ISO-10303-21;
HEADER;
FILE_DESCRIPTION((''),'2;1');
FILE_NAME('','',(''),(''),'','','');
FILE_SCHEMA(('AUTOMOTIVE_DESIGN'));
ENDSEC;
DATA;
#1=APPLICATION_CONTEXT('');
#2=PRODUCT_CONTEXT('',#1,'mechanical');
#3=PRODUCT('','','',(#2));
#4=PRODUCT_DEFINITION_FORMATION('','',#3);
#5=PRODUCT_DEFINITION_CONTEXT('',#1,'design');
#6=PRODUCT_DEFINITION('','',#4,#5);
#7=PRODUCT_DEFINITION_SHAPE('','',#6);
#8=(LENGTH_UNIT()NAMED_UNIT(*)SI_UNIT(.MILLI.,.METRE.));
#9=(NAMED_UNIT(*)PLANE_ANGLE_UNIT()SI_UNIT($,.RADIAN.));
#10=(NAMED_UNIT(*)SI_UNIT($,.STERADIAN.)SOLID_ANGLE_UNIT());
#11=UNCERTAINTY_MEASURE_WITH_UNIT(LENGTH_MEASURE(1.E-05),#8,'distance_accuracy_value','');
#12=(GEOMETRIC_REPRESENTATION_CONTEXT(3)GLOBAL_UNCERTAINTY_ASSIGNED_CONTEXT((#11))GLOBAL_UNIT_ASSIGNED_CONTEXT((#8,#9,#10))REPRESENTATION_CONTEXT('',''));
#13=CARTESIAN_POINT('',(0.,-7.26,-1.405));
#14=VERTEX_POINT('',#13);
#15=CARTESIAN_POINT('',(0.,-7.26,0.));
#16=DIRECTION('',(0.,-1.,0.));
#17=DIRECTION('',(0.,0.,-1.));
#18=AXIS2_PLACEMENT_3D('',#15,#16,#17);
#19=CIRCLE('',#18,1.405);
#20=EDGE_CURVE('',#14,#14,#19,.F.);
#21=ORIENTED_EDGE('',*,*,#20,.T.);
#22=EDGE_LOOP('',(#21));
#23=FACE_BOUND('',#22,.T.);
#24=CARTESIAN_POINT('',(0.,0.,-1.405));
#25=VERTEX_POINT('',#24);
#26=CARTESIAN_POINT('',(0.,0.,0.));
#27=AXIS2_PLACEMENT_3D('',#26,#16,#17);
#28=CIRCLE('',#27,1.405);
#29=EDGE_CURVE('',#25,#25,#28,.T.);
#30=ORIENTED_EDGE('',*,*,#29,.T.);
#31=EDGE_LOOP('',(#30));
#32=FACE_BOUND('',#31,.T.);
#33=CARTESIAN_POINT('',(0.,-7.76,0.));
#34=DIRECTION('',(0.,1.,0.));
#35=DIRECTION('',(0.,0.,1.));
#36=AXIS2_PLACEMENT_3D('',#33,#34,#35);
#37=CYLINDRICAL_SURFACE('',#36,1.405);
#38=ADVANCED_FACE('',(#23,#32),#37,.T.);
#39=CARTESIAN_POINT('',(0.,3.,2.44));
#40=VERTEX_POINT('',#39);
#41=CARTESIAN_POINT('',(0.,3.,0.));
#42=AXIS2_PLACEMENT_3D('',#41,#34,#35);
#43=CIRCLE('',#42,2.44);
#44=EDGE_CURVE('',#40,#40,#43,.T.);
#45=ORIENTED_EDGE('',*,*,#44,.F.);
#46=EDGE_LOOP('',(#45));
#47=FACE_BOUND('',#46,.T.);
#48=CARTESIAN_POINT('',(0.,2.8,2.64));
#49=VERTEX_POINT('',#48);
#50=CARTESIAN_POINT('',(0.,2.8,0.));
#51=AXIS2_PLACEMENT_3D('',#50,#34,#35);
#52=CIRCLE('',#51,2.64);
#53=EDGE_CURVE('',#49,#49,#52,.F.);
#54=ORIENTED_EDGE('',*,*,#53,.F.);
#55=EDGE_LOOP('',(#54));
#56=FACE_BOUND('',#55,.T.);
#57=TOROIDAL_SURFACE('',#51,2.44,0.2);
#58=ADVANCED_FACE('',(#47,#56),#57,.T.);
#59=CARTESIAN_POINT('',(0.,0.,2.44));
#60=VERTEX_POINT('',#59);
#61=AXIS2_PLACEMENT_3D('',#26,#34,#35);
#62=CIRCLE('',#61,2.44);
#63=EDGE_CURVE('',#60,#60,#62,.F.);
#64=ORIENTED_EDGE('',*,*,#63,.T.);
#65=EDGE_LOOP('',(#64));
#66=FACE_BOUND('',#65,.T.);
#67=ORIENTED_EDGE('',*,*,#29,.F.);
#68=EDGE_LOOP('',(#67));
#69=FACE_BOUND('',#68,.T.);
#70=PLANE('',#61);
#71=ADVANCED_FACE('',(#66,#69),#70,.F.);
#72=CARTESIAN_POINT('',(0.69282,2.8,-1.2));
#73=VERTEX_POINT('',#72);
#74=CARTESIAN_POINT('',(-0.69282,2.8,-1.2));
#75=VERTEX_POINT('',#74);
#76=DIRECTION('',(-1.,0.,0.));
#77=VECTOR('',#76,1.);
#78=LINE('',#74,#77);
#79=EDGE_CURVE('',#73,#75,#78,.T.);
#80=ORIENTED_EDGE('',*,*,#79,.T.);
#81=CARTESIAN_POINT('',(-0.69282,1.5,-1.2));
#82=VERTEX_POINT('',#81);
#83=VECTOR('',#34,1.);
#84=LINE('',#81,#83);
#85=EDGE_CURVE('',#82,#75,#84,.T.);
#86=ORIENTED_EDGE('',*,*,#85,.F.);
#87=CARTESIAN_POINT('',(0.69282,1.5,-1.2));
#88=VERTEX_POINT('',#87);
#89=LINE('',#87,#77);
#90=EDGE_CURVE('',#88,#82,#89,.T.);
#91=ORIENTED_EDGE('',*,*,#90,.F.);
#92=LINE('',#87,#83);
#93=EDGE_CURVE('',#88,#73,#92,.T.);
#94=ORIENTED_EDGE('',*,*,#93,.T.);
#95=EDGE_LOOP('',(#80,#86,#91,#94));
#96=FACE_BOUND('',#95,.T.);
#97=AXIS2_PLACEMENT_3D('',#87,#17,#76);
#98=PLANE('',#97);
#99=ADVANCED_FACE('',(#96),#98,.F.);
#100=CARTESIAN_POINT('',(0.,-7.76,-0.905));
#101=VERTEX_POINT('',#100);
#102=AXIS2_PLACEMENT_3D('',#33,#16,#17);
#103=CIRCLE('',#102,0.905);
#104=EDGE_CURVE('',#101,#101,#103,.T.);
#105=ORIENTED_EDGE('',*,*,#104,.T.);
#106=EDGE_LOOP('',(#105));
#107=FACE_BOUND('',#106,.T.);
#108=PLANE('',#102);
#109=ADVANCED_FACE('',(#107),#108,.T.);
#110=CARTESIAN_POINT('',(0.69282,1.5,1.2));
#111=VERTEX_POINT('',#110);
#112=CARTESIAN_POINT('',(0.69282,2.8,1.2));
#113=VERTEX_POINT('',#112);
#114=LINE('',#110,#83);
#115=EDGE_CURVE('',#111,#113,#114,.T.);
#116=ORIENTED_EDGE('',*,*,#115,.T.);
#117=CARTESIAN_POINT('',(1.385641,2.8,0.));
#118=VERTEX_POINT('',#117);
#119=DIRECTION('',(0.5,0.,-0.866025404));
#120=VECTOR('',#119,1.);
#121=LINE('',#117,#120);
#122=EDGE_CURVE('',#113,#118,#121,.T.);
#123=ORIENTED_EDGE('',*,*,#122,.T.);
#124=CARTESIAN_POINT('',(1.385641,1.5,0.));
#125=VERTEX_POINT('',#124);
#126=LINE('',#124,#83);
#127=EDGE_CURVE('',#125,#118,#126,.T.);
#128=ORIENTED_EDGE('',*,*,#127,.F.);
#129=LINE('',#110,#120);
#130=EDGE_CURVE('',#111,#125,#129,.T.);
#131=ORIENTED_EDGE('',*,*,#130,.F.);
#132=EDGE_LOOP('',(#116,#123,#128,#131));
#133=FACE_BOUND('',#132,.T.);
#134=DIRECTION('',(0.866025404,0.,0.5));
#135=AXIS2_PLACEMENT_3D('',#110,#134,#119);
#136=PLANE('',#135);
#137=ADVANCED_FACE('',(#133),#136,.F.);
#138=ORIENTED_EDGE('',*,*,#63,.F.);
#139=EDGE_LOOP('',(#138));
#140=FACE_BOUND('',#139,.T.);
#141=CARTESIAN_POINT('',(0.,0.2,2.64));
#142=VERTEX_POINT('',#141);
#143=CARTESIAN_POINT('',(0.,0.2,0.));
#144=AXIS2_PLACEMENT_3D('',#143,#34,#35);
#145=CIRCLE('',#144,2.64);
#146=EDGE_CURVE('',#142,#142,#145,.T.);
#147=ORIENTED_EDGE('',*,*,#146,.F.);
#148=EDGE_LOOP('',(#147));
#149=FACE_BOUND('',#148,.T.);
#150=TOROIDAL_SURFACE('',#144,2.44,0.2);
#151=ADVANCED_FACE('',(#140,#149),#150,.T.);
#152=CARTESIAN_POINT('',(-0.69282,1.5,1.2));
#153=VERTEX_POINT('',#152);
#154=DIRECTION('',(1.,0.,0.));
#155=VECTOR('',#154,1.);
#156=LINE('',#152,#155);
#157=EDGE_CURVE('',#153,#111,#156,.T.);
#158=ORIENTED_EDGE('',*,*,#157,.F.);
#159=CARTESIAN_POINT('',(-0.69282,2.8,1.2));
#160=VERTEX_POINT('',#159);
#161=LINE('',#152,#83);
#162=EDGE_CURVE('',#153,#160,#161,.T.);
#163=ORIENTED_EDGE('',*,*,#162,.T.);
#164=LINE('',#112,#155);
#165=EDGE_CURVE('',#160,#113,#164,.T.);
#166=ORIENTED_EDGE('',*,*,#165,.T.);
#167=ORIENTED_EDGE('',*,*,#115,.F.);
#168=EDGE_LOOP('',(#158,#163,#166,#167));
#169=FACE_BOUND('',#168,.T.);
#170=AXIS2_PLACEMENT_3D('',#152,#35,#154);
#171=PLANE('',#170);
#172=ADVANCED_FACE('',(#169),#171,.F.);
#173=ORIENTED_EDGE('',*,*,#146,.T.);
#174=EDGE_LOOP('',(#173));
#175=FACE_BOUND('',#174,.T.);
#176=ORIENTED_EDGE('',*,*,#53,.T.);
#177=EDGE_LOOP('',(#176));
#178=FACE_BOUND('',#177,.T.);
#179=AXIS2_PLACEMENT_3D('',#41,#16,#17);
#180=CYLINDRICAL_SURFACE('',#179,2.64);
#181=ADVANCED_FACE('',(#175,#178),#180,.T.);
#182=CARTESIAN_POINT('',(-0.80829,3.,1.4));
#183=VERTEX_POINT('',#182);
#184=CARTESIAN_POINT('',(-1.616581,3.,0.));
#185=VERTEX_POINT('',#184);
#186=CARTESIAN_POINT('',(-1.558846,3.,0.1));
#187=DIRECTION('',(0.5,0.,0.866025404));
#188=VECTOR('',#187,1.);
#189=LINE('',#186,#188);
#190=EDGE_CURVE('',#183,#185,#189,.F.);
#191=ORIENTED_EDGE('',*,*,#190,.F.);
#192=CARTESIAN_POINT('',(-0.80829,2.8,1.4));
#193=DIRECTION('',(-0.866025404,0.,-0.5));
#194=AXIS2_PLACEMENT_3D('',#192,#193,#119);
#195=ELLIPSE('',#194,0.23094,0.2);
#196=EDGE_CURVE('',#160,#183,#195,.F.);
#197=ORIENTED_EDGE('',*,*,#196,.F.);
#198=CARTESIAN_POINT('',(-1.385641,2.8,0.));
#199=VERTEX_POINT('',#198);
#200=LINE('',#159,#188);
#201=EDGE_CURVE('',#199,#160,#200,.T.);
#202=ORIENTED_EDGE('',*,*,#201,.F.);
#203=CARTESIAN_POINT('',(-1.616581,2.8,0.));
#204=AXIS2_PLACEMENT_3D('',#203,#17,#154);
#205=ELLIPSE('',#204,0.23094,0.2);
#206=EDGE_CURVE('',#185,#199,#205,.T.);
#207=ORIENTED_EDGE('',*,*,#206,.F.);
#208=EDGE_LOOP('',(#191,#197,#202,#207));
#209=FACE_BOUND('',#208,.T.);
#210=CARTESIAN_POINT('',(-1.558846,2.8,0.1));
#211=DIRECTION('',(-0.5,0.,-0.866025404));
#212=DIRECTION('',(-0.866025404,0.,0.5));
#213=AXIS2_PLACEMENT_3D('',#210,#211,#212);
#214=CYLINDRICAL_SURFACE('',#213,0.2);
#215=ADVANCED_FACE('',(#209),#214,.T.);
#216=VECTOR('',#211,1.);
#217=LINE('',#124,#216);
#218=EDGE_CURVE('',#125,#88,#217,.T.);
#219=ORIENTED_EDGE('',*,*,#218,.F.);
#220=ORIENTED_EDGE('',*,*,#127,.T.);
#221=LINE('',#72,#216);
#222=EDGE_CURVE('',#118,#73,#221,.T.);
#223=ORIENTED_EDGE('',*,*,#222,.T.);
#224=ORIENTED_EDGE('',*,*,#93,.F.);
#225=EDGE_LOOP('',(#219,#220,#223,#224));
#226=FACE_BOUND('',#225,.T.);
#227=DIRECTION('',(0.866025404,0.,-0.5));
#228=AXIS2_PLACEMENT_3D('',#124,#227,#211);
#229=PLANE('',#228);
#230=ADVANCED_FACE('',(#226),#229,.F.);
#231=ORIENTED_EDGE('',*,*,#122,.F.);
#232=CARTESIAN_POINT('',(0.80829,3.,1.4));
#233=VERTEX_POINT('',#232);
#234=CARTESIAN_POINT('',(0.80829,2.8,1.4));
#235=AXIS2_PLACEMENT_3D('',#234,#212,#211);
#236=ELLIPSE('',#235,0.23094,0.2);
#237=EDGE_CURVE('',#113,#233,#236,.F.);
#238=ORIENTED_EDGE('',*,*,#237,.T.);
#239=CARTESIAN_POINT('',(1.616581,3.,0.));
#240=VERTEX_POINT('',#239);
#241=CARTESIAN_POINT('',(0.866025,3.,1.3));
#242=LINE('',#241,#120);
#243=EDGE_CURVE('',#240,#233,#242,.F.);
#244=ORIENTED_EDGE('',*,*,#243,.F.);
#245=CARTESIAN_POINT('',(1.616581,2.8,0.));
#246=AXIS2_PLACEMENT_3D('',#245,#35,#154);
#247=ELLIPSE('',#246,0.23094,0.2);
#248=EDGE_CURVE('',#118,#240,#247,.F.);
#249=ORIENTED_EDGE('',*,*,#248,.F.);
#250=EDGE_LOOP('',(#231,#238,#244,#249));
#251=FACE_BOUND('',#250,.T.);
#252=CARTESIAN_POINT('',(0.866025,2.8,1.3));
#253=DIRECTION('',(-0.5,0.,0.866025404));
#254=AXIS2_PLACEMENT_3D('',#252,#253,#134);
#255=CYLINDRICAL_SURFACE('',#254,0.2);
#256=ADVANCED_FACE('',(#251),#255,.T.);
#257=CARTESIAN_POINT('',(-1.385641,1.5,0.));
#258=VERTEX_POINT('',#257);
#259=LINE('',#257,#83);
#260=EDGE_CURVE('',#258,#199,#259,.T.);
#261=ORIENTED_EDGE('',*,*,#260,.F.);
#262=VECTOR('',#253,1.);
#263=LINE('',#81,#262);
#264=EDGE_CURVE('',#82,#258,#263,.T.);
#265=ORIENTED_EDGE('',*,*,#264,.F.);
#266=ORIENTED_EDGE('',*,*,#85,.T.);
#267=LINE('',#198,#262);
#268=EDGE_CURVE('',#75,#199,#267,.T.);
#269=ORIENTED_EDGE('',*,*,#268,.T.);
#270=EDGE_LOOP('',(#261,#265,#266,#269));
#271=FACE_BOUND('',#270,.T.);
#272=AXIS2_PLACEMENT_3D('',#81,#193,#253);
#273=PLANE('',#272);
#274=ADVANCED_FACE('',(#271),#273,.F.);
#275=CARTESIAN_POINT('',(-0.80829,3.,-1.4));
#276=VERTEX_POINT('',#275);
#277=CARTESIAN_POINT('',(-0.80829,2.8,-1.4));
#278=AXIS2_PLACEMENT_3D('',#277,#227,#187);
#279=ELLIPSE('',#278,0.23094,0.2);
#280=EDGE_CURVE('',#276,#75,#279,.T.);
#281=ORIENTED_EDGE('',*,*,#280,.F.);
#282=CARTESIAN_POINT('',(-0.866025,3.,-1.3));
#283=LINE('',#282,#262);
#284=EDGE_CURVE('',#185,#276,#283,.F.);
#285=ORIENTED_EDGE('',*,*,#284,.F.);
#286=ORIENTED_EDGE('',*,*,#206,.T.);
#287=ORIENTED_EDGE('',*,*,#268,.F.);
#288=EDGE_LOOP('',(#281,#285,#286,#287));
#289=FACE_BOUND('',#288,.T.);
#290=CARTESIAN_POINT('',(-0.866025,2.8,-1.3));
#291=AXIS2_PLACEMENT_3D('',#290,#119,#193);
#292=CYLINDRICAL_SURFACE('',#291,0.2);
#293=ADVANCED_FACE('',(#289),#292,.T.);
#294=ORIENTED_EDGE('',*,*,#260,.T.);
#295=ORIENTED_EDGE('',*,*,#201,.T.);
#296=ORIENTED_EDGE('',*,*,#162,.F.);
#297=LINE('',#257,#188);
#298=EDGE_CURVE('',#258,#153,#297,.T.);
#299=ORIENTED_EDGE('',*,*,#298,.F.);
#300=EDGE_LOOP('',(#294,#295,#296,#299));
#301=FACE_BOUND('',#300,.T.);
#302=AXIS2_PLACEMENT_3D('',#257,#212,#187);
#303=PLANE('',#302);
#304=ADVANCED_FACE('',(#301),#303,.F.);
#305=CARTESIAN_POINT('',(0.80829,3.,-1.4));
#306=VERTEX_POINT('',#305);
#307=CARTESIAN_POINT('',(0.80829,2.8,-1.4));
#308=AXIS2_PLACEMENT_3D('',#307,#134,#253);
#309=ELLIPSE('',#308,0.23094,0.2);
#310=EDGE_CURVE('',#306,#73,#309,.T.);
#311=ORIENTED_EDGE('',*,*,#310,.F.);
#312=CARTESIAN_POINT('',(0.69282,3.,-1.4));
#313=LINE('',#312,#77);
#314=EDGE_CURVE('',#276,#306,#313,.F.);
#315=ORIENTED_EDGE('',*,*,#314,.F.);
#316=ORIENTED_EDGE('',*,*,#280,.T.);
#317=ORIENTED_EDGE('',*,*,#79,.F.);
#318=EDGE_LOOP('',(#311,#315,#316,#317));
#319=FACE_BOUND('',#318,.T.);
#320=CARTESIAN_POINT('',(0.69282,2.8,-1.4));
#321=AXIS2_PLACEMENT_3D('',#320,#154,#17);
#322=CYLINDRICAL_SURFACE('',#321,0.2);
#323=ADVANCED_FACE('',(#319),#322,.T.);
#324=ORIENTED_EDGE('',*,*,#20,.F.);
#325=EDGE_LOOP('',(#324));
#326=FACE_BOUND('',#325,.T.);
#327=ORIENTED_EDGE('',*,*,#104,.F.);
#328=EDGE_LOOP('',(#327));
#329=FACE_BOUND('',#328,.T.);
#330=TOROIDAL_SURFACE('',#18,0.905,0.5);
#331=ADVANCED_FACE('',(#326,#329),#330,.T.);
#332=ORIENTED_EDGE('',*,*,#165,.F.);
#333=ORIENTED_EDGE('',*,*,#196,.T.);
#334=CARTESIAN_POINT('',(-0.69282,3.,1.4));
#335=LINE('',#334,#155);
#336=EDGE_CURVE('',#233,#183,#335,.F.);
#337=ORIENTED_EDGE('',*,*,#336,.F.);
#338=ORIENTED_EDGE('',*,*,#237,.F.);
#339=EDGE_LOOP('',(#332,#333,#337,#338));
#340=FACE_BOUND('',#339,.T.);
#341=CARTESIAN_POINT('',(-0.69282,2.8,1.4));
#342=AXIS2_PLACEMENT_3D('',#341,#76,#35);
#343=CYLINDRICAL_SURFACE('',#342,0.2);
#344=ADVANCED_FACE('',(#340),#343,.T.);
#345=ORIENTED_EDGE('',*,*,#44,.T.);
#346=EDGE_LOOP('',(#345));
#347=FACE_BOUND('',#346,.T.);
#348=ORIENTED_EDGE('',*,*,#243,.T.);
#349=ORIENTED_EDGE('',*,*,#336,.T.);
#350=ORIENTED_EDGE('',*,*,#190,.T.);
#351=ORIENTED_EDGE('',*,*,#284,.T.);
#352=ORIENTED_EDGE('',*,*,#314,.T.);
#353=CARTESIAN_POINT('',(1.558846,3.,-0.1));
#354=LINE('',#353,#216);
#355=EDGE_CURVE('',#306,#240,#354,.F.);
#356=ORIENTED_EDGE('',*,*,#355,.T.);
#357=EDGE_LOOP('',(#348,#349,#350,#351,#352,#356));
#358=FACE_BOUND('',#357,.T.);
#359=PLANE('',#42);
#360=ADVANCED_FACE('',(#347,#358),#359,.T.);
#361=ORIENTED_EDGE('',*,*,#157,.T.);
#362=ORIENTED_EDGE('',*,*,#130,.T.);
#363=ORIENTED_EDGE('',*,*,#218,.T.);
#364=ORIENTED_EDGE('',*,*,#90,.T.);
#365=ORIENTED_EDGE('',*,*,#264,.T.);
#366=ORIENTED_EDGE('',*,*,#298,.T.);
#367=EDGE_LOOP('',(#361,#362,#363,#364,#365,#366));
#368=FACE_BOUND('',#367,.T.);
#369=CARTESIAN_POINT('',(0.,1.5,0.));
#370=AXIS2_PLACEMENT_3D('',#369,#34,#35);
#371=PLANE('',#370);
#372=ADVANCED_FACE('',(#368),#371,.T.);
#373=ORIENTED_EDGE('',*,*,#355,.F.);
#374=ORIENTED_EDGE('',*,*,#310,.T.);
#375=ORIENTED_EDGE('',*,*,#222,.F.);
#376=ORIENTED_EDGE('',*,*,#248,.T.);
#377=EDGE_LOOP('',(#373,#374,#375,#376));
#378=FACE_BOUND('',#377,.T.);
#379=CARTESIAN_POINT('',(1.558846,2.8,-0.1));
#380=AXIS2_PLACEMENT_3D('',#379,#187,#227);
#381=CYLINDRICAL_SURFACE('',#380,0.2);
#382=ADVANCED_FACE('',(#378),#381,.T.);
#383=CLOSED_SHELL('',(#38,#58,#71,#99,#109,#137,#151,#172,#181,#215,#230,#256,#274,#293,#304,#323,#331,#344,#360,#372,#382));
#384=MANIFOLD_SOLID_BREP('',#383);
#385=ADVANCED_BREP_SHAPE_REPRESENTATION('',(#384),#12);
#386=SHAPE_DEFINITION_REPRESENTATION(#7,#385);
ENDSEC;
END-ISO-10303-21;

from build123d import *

# Parameters (mm, degrees)
SKETCH1_R           = 2.64
BOSS_EXTRUDE1_DEPTH = 3
SKETCH2_R           = 1.405
BOSS_EXTRUDE2_DEPTH = 7.76
FILLET1_R           = 0.2
CUT_EXTRUDE1_DEPTH  = 1.5
FILLET2_R           = 0.2
FILLET3_R           = 0.5


with BuildPart() as part:
    # Sketch1 → Boss-Extrude1 (new body)
    with BuildSketch(Plane(origin=(0, 0, 0), x_dir=(1, 0, 0), z_dir=(0, 1, 0))):
        with Locations(Location((0, 0, 0), (0, 0, 270))):
            Circle(SKETCH1_R)
    extrude(amount=BOSS_EXTRUDE1_DEPTH)

    # Sketch2 → Boss-Extrude2 (add)
    with BuildSketch(Plane.XZ):
        with Locations(Location((0, 0, 0), (0, 0, 270))):
            Circle(SKETCH2_R)
    extrude(amount=BOSS_EXTRUDE2_DEPTH)

    # Fillet1
    fillet1_edges = [part.edges().sort_by_distance(p)[0] for p in [
        (0, 0, -2.64),
        (0, 3, -2.64),
    ]]
    fillet(fillet1_edges, radius=FILLET1_R)

    # Sketch3 → Cut-Extrude1 (cut)
    with BuildSketch(Plane(origin=(0, 3, 0), x_dir=(1, 0, 0), z_dir=(0, 1, 0))):
        Polygon((1.385640646, 0), (0.692820323, 1.2), (-0.692820323, 1.2), (-1.385640646, 0), (-0.692820323, -1.2), (0.692820323, -1.2), align=None)
    extrude(amount=-CUT_EXTRUDE1_DEPTH, mode=Mode.SUBTRACT)

    # Fillet2
    fillet2_edges = [part.edges().sort_by_distance(p)[0] for p in [
        (1.039230485, 3, 0.6),
        (1.039230485, 3, -0.6),
        (0, 3, -1.2),
        (-1.039230485, 3, -0.6),
        (-1.039230485, 3, 0.6),
        (0, 3, 1.2),
    ]]
    fillet(fillet2_edges, radius=FILLET2_R)

    # Fillet3
    fillet3_edges = [part.edges().sort_by_distance(p)[0] for p in [
        (0, -7.76, 1.405),
    ]]
    fillet(fillet3_edges, radius=FILLET3_R)


solid = part.part
